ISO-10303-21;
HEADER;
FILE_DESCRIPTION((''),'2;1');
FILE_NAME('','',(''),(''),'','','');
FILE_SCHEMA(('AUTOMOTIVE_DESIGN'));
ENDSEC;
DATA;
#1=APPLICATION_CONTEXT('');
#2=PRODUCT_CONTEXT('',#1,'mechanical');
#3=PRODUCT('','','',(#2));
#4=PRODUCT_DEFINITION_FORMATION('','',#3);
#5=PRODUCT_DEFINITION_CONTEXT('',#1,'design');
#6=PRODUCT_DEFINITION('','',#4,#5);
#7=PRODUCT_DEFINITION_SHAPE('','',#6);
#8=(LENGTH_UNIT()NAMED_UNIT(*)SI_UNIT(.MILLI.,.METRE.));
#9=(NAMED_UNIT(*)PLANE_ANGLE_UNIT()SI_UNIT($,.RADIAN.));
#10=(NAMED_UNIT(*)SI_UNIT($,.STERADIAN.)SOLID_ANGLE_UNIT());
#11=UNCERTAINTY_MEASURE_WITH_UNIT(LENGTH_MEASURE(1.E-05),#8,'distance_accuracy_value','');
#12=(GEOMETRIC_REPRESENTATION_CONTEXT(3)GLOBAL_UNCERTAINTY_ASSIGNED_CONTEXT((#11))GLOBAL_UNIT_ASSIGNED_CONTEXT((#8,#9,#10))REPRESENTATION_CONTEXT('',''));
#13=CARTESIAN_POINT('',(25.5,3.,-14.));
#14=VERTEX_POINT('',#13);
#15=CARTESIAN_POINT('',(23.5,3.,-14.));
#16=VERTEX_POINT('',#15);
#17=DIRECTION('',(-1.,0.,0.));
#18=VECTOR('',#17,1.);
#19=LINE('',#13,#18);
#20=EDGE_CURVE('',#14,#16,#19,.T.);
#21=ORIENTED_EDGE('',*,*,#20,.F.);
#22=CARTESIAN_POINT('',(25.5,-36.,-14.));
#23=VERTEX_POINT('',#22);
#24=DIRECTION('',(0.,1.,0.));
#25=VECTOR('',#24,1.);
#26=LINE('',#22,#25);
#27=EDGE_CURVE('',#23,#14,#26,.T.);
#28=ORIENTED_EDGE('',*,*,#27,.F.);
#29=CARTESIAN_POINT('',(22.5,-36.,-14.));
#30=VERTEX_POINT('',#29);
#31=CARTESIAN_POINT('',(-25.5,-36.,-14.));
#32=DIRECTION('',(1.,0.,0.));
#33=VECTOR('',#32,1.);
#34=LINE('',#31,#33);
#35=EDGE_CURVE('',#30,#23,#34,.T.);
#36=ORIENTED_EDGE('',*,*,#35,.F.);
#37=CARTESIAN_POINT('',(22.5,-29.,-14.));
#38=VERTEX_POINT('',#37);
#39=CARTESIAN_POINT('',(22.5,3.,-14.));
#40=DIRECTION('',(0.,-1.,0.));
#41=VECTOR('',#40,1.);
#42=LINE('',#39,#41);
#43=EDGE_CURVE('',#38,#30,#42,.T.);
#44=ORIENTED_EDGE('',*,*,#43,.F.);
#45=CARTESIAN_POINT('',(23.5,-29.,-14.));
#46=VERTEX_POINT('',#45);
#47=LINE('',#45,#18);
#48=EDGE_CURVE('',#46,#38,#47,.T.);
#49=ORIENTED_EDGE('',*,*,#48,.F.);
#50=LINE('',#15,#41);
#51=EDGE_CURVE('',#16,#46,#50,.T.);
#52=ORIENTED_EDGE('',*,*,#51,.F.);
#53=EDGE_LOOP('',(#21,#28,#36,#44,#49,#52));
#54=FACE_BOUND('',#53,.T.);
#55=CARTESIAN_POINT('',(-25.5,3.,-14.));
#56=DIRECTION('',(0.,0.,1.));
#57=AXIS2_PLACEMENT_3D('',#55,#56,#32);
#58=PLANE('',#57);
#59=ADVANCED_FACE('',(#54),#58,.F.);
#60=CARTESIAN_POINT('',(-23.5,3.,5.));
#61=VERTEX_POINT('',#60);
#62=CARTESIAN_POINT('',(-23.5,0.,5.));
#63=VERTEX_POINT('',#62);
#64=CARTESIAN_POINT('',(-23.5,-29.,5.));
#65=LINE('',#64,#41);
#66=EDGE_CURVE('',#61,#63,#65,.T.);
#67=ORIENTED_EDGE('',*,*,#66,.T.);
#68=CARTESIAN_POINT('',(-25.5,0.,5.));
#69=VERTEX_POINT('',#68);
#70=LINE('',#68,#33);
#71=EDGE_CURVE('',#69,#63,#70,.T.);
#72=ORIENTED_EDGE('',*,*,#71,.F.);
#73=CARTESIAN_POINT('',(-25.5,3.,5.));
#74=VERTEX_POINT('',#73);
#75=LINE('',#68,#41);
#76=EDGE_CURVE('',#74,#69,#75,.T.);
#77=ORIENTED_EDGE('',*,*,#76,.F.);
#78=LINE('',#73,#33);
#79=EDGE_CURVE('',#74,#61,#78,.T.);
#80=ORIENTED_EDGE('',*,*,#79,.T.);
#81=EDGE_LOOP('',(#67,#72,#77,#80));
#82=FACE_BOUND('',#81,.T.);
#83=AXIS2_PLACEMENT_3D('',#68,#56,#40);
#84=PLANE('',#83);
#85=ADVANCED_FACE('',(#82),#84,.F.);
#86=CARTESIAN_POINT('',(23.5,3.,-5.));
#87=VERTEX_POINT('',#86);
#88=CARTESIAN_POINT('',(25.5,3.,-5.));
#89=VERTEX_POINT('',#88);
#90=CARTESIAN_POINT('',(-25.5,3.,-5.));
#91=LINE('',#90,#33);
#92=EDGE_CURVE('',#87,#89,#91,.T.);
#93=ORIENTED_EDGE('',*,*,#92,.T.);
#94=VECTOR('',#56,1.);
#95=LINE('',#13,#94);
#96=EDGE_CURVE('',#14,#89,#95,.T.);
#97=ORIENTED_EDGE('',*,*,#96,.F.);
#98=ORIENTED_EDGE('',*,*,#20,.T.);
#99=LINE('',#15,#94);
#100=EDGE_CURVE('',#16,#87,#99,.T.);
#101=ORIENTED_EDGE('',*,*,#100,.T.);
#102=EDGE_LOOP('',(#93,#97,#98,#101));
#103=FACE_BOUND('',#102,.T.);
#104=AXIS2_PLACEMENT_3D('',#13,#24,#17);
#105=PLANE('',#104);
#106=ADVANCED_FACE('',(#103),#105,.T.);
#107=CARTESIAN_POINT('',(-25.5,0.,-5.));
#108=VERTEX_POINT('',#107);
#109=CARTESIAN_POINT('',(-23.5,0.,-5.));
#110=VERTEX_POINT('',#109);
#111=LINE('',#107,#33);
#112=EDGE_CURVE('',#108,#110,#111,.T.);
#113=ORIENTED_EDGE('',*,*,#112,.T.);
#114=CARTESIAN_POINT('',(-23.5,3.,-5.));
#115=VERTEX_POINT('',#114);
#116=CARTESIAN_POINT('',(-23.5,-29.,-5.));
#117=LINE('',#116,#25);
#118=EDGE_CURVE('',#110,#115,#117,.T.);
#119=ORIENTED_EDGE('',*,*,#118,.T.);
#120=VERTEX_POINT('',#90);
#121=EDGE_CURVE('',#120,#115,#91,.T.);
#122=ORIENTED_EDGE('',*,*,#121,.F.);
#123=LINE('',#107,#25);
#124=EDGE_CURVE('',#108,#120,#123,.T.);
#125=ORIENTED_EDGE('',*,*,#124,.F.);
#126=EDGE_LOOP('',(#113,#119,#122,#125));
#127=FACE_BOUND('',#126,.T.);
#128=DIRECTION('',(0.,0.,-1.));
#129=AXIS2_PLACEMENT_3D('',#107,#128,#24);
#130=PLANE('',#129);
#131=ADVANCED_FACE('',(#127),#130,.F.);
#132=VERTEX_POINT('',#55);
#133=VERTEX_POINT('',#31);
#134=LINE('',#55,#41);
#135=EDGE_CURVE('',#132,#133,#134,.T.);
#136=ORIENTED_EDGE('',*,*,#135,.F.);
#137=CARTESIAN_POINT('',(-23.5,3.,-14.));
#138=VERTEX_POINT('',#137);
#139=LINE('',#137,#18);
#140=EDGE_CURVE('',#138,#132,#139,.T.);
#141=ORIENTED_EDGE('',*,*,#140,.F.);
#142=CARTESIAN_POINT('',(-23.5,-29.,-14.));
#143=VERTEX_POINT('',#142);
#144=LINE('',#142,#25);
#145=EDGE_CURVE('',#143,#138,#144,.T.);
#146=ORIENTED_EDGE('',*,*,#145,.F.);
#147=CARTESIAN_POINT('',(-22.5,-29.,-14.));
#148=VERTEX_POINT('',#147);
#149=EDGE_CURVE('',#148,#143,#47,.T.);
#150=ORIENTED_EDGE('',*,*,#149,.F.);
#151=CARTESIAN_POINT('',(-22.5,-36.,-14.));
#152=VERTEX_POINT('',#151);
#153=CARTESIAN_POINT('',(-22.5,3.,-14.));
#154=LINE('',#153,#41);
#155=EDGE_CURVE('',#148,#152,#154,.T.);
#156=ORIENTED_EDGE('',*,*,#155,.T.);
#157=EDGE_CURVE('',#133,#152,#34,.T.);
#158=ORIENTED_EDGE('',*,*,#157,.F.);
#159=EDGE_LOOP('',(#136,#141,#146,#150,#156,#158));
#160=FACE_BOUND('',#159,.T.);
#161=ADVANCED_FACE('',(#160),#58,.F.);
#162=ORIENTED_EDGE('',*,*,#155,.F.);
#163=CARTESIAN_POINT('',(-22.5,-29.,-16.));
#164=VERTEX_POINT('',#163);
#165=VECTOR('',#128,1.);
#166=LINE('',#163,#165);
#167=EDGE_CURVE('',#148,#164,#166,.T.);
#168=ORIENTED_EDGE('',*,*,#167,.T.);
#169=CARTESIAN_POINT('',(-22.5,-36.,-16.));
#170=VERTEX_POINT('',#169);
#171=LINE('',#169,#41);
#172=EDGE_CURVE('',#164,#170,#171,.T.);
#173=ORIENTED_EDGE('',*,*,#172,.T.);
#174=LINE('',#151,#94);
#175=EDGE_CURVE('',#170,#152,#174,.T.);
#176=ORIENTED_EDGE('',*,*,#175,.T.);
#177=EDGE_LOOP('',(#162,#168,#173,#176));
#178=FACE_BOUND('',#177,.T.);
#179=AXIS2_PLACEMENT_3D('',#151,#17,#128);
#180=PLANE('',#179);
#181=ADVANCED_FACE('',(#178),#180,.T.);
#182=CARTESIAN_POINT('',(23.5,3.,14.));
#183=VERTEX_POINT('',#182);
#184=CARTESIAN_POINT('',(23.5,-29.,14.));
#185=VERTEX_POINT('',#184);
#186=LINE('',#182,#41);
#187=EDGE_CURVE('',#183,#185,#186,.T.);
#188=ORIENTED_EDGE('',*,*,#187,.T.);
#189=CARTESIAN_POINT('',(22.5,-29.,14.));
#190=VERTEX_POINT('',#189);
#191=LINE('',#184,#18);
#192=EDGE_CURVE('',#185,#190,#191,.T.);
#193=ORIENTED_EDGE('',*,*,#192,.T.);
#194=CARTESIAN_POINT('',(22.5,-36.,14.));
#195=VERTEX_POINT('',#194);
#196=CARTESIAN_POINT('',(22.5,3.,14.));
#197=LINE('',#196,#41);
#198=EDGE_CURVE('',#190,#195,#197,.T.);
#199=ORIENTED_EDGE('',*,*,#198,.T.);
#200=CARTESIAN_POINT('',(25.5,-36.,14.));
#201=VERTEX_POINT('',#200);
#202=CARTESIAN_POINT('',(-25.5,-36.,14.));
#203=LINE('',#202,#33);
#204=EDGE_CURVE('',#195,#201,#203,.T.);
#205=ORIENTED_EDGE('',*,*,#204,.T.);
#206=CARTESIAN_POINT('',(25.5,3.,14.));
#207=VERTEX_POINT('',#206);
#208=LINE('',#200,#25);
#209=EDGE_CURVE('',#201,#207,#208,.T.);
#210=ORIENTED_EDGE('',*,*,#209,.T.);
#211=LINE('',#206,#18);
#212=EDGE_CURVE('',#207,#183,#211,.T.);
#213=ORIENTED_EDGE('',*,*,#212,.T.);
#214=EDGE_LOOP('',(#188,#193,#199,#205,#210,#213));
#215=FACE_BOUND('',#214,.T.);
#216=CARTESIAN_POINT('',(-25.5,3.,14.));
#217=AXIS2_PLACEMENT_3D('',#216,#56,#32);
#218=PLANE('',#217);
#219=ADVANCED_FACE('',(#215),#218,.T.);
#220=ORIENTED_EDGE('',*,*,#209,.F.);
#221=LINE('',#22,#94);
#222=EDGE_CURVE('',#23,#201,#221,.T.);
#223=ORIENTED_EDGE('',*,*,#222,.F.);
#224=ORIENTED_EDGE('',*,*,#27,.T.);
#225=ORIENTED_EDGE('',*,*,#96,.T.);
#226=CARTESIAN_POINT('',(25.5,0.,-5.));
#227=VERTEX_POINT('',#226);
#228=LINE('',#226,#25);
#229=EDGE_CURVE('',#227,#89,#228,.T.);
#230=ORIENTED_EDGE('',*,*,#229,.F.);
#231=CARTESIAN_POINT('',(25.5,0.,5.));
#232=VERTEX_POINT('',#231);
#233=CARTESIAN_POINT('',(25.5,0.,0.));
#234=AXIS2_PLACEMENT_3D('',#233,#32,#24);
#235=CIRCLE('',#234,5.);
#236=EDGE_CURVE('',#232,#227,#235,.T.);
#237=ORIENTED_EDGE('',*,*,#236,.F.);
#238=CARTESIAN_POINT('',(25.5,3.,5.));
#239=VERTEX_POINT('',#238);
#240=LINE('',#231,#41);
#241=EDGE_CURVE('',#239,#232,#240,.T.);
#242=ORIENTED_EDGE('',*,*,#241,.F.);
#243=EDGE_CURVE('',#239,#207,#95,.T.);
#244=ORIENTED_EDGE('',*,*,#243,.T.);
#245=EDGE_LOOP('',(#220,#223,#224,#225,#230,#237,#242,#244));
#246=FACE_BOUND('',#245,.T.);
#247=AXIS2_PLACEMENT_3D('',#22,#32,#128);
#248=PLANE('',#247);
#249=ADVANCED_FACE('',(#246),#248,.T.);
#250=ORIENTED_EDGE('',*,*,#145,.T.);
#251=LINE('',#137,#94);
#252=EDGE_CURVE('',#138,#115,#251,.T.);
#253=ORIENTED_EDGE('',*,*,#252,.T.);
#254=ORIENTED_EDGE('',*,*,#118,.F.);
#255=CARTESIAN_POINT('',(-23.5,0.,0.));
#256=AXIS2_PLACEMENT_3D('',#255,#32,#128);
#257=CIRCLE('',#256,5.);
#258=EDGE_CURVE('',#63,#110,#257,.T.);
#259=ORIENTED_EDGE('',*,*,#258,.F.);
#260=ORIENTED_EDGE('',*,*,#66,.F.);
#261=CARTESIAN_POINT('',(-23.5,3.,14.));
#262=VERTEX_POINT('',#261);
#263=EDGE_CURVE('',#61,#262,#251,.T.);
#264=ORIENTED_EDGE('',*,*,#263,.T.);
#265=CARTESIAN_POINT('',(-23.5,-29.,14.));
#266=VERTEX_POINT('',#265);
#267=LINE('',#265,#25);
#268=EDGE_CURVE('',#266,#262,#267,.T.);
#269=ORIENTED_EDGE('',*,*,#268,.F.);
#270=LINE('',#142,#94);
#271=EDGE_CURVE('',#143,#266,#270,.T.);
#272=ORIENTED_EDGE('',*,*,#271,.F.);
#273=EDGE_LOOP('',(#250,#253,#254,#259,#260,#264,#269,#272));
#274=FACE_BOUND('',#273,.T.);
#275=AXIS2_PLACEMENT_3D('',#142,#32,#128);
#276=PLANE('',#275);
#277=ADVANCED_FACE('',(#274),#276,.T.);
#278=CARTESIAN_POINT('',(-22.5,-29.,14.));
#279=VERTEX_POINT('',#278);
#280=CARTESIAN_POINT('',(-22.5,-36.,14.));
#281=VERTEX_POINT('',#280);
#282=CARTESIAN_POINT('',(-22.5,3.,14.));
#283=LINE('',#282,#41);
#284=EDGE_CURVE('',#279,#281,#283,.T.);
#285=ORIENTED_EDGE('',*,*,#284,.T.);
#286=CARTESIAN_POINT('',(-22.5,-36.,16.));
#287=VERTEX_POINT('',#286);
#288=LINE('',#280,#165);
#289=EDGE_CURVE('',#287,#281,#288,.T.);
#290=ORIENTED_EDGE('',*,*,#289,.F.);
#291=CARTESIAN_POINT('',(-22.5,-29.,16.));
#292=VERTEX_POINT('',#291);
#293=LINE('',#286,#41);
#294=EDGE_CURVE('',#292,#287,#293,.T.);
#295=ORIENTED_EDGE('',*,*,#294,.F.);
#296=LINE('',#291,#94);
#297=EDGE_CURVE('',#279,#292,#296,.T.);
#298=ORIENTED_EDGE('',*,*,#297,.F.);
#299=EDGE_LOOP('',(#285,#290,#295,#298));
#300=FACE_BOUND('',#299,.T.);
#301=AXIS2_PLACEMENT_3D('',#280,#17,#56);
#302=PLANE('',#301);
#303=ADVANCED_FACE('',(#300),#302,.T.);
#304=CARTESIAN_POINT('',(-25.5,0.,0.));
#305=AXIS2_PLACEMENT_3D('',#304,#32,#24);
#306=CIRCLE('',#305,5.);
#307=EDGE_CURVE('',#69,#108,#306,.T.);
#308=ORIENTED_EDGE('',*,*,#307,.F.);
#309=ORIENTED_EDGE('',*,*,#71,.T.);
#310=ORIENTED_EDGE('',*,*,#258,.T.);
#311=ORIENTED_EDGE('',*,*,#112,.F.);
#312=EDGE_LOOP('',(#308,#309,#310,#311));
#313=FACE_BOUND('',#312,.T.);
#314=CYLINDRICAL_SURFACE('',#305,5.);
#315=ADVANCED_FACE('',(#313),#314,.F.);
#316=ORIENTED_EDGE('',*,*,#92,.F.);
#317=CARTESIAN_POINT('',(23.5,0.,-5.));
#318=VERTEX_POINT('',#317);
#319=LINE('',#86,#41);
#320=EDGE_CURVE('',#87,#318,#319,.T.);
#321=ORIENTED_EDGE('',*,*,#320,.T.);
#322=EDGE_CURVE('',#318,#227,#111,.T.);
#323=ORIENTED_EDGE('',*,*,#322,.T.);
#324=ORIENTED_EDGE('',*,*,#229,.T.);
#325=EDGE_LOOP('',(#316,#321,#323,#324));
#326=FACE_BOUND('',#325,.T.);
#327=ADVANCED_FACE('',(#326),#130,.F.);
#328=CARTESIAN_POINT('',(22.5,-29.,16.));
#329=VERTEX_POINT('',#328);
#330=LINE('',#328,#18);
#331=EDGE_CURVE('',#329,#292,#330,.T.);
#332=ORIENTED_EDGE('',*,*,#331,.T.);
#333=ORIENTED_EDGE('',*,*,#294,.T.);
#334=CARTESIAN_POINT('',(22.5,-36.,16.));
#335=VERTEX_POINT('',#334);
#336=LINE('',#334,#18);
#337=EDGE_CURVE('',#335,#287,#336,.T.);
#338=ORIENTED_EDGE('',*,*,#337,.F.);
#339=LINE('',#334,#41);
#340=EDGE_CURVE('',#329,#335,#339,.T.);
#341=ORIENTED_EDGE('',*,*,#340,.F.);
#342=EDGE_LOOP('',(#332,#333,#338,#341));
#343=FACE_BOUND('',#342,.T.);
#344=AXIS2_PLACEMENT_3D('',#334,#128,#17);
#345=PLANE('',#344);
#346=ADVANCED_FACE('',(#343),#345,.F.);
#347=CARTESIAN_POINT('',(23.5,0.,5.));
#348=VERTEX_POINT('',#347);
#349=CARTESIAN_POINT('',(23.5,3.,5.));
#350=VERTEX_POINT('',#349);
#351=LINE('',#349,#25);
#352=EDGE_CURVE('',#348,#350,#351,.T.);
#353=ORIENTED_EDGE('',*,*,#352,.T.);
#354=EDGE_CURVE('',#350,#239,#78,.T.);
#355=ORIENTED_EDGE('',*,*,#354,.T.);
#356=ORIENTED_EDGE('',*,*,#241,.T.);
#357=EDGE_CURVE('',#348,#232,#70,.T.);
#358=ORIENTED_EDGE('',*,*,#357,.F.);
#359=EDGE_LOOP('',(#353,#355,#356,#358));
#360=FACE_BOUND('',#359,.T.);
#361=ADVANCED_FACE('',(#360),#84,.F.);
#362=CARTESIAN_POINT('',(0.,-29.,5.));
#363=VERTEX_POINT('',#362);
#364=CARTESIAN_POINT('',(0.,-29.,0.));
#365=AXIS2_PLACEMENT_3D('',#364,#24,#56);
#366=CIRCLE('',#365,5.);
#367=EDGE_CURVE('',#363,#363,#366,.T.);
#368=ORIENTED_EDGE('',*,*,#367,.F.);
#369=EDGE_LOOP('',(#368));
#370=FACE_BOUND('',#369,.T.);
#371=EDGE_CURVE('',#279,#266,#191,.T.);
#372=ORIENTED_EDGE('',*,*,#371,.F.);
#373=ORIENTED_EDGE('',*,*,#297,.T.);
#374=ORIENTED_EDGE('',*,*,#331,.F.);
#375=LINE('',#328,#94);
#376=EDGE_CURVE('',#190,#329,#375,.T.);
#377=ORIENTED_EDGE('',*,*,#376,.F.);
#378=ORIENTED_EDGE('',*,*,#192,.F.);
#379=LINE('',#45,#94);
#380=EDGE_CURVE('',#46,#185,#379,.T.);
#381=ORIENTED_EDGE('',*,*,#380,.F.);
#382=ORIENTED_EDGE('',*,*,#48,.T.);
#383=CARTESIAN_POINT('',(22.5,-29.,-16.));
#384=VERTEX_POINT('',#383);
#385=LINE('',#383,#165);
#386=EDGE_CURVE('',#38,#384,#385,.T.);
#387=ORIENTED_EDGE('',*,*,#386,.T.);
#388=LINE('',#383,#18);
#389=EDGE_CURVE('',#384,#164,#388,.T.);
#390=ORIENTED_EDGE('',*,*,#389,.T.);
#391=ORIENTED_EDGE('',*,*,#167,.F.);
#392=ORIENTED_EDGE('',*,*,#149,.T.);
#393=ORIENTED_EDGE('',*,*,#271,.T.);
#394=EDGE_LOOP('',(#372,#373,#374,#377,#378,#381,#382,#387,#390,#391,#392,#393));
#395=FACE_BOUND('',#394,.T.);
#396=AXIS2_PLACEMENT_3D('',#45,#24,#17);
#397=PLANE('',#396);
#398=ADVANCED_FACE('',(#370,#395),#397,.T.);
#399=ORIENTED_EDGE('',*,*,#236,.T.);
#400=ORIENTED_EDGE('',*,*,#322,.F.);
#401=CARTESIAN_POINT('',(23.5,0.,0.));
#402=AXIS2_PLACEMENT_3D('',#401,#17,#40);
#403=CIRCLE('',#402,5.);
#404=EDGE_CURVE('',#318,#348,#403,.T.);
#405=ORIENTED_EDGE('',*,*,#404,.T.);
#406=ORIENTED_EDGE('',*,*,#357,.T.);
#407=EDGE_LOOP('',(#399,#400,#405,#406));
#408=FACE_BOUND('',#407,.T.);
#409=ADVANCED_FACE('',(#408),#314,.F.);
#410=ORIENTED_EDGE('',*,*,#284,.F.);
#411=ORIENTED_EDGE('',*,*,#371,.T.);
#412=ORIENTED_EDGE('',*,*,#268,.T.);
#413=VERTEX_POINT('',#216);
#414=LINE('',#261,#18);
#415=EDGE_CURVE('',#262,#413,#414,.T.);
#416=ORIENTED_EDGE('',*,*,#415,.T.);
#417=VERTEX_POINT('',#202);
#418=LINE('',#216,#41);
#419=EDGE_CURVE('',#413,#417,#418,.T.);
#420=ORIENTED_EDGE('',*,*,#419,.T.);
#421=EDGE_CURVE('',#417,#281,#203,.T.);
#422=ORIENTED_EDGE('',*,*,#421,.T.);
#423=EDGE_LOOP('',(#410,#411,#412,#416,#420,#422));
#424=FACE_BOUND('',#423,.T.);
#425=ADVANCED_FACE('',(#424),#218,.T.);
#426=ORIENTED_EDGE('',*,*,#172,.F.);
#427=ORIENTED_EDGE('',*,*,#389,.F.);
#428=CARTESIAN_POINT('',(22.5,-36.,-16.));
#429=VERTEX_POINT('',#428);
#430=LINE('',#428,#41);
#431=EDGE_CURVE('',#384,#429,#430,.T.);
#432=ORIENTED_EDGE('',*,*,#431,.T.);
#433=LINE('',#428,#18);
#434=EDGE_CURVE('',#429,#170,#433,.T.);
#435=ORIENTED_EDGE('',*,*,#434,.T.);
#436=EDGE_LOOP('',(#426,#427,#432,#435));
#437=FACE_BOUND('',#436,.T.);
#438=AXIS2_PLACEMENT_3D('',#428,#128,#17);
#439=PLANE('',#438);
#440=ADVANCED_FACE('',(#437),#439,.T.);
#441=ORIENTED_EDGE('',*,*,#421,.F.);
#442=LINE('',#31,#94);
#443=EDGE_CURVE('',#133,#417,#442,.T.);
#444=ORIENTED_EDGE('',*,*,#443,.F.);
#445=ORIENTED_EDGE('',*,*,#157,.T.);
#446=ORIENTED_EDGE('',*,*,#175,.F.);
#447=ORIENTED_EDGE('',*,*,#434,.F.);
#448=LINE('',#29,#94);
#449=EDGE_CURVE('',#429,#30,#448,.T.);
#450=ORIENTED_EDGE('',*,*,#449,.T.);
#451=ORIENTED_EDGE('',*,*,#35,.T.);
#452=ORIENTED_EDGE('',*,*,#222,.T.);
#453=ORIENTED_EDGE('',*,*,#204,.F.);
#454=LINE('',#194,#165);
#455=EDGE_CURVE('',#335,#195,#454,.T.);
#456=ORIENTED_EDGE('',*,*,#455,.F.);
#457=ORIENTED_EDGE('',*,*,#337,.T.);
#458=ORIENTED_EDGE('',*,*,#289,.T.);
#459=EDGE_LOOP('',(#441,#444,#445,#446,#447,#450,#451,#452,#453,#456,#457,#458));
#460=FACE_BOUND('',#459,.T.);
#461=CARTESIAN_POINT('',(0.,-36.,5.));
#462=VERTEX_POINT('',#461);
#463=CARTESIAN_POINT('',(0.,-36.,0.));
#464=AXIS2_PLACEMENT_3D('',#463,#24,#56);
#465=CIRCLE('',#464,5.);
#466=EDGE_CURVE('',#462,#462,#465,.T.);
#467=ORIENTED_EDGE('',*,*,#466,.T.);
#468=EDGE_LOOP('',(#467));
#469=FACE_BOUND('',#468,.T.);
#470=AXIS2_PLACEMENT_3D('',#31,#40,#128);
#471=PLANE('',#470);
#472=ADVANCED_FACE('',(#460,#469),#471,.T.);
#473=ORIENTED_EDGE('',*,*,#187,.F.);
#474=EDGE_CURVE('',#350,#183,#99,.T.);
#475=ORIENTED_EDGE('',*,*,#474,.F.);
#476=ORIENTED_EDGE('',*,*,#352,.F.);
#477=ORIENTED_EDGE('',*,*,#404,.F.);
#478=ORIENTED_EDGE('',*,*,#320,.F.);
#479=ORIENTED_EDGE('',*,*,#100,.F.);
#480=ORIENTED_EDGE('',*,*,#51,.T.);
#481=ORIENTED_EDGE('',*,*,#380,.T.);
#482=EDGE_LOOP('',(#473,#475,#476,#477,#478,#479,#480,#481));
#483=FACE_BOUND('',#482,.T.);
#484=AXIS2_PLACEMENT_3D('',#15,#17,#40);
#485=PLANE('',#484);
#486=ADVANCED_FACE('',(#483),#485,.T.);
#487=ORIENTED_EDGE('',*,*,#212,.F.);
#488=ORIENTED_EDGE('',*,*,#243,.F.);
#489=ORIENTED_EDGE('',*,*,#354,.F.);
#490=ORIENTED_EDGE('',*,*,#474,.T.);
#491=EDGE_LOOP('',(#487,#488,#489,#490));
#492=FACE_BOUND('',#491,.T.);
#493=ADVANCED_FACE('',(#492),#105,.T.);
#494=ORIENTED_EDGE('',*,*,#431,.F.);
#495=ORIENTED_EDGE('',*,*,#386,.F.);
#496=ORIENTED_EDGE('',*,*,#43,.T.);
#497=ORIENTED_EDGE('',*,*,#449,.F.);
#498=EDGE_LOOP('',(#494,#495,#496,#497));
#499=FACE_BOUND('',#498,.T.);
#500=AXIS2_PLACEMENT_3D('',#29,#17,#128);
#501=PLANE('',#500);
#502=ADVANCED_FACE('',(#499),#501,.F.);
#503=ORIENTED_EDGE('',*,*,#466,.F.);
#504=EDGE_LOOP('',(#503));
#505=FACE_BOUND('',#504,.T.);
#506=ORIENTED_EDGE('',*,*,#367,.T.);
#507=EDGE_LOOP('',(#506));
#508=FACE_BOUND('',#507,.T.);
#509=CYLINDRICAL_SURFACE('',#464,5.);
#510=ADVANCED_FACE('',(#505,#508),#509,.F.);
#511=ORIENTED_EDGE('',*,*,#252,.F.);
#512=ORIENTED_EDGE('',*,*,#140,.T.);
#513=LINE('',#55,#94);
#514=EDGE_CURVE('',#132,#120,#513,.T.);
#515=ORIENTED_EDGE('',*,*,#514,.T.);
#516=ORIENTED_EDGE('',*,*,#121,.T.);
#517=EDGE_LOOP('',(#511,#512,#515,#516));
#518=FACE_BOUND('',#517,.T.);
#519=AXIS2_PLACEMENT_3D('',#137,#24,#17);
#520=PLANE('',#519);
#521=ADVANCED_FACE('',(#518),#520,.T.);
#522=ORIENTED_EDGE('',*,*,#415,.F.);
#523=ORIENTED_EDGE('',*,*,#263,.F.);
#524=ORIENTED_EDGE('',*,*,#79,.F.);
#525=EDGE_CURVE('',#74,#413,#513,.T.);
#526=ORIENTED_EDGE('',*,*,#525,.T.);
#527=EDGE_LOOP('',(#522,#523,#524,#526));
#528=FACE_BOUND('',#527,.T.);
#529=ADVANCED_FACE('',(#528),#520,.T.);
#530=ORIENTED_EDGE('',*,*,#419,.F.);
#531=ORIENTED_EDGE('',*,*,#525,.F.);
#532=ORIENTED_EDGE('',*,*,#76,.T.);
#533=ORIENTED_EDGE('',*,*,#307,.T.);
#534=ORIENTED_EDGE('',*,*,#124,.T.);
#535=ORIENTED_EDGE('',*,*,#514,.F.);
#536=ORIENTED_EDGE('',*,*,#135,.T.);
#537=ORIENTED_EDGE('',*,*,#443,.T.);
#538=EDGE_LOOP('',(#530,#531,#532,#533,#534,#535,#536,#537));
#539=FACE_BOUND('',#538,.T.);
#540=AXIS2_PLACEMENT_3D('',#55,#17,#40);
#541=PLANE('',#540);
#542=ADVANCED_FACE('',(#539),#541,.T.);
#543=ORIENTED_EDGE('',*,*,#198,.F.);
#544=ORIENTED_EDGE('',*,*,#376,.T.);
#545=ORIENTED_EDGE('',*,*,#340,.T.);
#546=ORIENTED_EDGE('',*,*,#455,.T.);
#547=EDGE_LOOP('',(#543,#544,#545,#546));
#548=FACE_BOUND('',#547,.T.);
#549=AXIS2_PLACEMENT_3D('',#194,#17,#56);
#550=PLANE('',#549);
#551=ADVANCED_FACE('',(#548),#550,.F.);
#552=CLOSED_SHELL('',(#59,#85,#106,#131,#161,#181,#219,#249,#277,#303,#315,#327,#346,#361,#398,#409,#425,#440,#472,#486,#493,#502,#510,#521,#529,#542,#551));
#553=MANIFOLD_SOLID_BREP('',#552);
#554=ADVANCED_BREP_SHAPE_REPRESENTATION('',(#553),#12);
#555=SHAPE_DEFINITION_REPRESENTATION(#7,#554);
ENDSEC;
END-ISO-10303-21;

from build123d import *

# Parameters (mm, degrees)
BOSS_EXTRUDE1_DEPTH = 14
BOSS_EXTRUDE2_DEPTH = 22.5
CUT_EXTRUDE1_DEPTH  = 52
SKETCH4_R           = 5
CUT_EXTRUDE2_DEPTH  = 8


with BuildPart() as part:
    # Sketch1 → Boss-Extrude1 (new body, symmetric)
    with BuildSketch(Plane.XY):
        Polygon((-25.5, 3), (-25.5, -36), (25.5, -36), (25.5, 3), (23.5, 3), (23.5, -29), (-23.5, -29), (-23.5, 3), align=None)
    extrude(amount=BOSS_EXTRUDE1_DEPTH, both=True)

    # Sketch2 → Boss-Extrude2 (add, symmetric)
    with BuildSketch(Plane(origin=(0, 0, 0), x_dir=(0, 0, -1), z_dir=(1, 0, 0))):
        Polygon((-14, -36), (-16, -36), (-16, -29), (-13, -29), (-13, -33), (-14, -33), align=None)
    boss_extrude2 = extrude(amount=BOSS_EXTRUDE2_DEPTH, both=True)

    # Mirror1: Boss-Extrude2 across plane
    add(boss_extrude2.mirror(Plane.XY))

    # Sketch3 → Cut-Extrude1 (cut, through all)
    with BuildSketch(Plane(origin=(25.5, 0, 0), x_dir=(0, 0, -1), z_dir=(1, 0, 0))):
        with BuildLine():
            Line((-5, 0), (-5, 3))
            Line((-5, 3), (5, 3))
            Line((5, 3), (5, 0))
            ThreePointArc((5, 0), (0, -5), (-5, 0))
        make_face()
    extrude(amount=-CUT_EXTRUDE1_DEPTH, mode=Mode.SUBTRACT)

    # Sketch4 → Cut-Extrude2 (cut, through all)
    with BuildSketch(Plane(origin=(0, -29, 0), x_dir=(1, 0, 0), z_dir=(0, 1, 0))):
        Circle(SKETCH4_R)
    extrude(amount=-CUT_EXTRUDE2_DEPTH, mode=Mode.SUBTRACT)


solid = part.part
